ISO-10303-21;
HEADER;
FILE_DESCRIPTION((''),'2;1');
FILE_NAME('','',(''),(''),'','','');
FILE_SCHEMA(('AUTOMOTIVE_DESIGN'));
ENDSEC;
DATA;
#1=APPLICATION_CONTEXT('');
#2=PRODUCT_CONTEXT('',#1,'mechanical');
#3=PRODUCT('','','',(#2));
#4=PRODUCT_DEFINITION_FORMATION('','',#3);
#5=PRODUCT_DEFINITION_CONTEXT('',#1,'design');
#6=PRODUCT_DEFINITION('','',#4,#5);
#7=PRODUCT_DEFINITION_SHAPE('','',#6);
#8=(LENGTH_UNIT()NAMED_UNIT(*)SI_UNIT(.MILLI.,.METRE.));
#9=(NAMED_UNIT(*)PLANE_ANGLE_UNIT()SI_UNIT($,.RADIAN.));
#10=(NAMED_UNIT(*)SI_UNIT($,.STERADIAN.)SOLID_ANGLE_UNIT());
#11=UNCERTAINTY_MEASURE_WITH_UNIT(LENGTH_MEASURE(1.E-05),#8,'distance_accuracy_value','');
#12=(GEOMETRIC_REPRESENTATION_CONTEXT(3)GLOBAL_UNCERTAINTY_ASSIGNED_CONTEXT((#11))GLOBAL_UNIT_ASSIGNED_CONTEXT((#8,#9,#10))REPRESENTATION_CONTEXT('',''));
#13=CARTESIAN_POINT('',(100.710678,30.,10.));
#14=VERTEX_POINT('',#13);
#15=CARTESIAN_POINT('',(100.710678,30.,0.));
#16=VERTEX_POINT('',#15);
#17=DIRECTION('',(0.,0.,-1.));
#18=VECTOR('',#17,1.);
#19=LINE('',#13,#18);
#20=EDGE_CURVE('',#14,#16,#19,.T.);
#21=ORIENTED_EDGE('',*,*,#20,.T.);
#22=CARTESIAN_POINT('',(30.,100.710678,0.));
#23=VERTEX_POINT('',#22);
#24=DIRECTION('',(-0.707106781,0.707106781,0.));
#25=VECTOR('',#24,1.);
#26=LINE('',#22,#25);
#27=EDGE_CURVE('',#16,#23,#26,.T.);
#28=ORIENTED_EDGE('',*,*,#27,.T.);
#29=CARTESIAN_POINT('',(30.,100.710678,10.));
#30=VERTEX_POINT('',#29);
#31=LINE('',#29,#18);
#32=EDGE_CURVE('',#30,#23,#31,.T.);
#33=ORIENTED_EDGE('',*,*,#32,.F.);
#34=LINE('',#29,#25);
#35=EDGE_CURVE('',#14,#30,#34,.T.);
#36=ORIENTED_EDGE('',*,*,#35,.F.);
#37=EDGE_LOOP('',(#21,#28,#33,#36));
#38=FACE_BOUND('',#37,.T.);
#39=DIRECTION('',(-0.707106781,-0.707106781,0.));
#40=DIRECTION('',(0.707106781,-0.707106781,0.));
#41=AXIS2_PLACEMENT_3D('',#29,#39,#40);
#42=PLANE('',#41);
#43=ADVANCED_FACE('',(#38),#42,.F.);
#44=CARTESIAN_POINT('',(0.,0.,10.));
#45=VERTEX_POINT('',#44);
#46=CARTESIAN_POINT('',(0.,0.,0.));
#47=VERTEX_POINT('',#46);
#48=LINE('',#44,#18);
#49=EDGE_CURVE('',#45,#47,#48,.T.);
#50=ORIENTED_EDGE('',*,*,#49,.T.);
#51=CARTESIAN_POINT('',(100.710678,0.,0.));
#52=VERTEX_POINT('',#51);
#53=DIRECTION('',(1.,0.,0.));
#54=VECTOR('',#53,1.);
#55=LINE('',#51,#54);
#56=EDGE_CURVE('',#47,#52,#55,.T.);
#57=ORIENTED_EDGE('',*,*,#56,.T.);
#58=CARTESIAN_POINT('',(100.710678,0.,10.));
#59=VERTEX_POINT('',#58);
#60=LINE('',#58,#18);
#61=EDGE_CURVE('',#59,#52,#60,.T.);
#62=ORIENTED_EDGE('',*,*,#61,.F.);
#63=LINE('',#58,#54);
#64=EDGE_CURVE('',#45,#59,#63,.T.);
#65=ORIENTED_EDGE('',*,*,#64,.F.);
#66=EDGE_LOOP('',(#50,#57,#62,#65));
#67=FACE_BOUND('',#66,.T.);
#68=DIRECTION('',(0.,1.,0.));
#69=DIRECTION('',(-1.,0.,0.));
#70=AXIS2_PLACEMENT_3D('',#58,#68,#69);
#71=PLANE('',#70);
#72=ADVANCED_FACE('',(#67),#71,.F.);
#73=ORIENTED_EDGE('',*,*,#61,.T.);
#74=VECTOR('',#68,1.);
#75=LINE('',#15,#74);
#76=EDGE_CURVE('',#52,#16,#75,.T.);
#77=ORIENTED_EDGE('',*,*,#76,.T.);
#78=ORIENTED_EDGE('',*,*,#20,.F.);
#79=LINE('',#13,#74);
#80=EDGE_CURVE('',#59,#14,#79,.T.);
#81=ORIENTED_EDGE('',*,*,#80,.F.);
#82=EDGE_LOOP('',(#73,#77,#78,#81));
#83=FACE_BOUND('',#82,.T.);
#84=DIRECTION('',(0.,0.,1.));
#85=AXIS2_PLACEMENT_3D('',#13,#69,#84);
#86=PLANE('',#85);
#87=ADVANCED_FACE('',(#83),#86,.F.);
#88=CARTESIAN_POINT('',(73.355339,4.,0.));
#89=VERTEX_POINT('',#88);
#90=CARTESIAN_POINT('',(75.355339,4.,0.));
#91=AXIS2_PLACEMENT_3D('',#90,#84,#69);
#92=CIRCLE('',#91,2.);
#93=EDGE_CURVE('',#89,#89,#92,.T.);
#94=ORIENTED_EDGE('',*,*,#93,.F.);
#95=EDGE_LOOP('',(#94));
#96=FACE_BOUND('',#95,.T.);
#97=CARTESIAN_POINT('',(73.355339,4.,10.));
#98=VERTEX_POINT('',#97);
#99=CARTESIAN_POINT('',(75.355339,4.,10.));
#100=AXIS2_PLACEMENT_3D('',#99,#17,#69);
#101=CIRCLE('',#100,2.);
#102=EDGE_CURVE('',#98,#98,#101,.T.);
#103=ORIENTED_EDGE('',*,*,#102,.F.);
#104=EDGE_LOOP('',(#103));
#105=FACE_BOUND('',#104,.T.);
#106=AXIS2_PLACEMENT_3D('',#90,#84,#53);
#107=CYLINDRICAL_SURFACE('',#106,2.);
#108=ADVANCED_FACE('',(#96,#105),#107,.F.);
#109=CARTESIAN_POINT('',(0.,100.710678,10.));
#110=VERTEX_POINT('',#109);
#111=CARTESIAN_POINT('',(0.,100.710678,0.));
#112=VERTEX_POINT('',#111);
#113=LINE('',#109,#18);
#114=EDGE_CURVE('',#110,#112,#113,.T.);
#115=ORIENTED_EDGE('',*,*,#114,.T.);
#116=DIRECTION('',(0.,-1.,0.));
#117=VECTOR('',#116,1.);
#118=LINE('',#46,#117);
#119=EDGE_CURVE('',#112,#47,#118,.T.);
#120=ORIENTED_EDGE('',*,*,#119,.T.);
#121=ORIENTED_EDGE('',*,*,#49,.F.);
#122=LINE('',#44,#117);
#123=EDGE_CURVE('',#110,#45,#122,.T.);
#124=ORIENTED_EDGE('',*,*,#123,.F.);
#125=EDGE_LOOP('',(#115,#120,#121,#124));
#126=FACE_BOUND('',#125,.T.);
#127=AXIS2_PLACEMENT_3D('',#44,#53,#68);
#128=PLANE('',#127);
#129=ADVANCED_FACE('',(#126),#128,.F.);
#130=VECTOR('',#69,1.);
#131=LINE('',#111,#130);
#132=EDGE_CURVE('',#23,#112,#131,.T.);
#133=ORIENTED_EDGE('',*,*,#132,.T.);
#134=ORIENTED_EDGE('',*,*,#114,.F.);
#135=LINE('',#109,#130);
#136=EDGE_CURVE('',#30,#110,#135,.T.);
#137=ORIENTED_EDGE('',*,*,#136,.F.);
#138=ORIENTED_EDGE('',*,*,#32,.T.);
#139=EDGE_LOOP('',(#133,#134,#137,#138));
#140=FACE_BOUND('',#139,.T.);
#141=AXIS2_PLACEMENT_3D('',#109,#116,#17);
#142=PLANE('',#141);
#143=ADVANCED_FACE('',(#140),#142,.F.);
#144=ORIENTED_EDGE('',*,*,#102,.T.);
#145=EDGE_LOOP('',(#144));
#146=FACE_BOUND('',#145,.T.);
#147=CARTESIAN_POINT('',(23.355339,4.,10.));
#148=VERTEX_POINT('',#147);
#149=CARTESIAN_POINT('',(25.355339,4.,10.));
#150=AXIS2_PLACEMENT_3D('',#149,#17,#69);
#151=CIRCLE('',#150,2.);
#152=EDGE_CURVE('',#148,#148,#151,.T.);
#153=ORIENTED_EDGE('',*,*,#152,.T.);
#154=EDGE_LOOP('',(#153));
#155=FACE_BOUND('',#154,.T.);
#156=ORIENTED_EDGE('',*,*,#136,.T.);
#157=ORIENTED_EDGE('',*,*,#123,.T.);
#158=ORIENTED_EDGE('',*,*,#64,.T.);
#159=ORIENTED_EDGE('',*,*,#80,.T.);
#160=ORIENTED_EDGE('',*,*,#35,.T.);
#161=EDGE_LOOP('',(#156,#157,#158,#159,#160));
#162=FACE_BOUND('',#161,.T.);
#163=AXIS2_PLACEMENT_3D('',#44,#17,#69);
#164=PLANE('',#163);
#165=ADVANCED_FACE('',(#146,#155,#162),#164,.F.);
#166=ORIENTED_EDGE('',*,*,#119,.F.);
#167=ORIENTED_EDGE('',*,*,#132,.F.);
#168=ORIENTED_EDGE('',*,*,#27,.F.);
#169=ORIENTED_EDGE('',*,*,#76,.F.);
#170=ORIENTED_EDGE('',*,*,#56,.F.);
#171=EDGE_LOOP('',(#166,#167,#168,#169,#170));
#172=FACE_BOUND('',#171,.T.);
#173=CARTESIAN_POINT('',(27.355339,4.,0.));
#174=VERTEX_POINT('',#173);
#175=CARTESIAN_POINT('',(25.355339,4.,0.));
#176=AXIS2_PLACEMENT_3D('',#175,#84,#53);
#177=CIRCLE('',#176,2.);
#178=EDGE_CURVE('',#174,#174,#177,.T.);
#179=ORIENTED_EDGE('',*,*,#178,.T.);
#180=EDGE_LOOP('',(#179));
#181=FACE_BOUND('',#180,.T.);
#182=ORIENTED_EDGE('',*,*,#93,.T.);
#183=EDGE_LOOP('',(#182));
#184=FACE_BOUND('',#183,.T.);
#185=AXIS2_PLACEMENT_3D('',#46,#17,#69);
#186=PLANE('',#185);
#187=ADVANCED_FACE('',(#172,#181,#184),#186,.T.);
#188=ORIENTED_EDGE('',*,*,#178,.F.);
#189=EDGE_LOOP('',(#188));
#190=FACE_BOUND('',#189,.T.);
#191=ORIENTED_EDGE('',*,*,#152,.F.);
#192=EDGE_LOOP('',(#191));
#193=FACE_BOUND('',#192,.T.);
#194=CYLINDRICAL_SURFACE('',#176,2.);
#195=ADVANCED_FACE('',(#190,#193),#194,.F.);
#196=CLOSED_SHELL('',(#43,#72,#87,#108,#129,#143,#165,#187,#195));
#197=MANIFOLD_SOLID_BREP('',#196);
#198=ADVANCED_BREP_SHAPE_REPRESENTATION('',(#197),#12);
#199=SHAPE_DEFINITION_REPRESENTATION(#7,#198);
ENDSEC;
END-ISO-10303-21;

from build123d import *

# Parameters (mm, degrees)
BOSS_EXTRU_1_DEPTH           = 10
ENL_V_MAT_EXTRU_1_DEPTH      = 143.777033777
ENL_V_MAT_EXTRU_1_DEPTH_BACK = 143.777033777
ESQUISSE2_R                  = 2


with BuildPart() as part:
    # Esquisse1 → Boss.-Extru.1 (new body)
    with BuildSketch(Plane.XY):
        Polygon((0, 0), (0, 100.710678119), (30, 100.710678119), (100.710678119, 30), (100.710678119, 0), align=None)
    extrude(amount=BOSS_EXTRU_1_DEPTH)

    # Esquisse2 → Enlèv. mat.-Extru.1 (cut, two sides: drawn at the far end of the back side and taken through both)
    with BuildSketch(Plane.XY.offset(10).offset(-ENL_V_MAT_EXTRU_1_DEPTH_BACK)):
        with Locations((25.355339059, 4)):
            Circle(ESQUISSE2_R)
        with Locations(Location((75.355339059, 4, 0), (0, 0, 180))):
            Circle(ESQUISSE2_R)
    extrude(amount=ENL_V_MAT_EXTRU_1_DEPTH + ENL_V_MAT_EXTRU_1_DEPTH_BACK, mode=Mode.SUBTRACT)


solid = part.part
